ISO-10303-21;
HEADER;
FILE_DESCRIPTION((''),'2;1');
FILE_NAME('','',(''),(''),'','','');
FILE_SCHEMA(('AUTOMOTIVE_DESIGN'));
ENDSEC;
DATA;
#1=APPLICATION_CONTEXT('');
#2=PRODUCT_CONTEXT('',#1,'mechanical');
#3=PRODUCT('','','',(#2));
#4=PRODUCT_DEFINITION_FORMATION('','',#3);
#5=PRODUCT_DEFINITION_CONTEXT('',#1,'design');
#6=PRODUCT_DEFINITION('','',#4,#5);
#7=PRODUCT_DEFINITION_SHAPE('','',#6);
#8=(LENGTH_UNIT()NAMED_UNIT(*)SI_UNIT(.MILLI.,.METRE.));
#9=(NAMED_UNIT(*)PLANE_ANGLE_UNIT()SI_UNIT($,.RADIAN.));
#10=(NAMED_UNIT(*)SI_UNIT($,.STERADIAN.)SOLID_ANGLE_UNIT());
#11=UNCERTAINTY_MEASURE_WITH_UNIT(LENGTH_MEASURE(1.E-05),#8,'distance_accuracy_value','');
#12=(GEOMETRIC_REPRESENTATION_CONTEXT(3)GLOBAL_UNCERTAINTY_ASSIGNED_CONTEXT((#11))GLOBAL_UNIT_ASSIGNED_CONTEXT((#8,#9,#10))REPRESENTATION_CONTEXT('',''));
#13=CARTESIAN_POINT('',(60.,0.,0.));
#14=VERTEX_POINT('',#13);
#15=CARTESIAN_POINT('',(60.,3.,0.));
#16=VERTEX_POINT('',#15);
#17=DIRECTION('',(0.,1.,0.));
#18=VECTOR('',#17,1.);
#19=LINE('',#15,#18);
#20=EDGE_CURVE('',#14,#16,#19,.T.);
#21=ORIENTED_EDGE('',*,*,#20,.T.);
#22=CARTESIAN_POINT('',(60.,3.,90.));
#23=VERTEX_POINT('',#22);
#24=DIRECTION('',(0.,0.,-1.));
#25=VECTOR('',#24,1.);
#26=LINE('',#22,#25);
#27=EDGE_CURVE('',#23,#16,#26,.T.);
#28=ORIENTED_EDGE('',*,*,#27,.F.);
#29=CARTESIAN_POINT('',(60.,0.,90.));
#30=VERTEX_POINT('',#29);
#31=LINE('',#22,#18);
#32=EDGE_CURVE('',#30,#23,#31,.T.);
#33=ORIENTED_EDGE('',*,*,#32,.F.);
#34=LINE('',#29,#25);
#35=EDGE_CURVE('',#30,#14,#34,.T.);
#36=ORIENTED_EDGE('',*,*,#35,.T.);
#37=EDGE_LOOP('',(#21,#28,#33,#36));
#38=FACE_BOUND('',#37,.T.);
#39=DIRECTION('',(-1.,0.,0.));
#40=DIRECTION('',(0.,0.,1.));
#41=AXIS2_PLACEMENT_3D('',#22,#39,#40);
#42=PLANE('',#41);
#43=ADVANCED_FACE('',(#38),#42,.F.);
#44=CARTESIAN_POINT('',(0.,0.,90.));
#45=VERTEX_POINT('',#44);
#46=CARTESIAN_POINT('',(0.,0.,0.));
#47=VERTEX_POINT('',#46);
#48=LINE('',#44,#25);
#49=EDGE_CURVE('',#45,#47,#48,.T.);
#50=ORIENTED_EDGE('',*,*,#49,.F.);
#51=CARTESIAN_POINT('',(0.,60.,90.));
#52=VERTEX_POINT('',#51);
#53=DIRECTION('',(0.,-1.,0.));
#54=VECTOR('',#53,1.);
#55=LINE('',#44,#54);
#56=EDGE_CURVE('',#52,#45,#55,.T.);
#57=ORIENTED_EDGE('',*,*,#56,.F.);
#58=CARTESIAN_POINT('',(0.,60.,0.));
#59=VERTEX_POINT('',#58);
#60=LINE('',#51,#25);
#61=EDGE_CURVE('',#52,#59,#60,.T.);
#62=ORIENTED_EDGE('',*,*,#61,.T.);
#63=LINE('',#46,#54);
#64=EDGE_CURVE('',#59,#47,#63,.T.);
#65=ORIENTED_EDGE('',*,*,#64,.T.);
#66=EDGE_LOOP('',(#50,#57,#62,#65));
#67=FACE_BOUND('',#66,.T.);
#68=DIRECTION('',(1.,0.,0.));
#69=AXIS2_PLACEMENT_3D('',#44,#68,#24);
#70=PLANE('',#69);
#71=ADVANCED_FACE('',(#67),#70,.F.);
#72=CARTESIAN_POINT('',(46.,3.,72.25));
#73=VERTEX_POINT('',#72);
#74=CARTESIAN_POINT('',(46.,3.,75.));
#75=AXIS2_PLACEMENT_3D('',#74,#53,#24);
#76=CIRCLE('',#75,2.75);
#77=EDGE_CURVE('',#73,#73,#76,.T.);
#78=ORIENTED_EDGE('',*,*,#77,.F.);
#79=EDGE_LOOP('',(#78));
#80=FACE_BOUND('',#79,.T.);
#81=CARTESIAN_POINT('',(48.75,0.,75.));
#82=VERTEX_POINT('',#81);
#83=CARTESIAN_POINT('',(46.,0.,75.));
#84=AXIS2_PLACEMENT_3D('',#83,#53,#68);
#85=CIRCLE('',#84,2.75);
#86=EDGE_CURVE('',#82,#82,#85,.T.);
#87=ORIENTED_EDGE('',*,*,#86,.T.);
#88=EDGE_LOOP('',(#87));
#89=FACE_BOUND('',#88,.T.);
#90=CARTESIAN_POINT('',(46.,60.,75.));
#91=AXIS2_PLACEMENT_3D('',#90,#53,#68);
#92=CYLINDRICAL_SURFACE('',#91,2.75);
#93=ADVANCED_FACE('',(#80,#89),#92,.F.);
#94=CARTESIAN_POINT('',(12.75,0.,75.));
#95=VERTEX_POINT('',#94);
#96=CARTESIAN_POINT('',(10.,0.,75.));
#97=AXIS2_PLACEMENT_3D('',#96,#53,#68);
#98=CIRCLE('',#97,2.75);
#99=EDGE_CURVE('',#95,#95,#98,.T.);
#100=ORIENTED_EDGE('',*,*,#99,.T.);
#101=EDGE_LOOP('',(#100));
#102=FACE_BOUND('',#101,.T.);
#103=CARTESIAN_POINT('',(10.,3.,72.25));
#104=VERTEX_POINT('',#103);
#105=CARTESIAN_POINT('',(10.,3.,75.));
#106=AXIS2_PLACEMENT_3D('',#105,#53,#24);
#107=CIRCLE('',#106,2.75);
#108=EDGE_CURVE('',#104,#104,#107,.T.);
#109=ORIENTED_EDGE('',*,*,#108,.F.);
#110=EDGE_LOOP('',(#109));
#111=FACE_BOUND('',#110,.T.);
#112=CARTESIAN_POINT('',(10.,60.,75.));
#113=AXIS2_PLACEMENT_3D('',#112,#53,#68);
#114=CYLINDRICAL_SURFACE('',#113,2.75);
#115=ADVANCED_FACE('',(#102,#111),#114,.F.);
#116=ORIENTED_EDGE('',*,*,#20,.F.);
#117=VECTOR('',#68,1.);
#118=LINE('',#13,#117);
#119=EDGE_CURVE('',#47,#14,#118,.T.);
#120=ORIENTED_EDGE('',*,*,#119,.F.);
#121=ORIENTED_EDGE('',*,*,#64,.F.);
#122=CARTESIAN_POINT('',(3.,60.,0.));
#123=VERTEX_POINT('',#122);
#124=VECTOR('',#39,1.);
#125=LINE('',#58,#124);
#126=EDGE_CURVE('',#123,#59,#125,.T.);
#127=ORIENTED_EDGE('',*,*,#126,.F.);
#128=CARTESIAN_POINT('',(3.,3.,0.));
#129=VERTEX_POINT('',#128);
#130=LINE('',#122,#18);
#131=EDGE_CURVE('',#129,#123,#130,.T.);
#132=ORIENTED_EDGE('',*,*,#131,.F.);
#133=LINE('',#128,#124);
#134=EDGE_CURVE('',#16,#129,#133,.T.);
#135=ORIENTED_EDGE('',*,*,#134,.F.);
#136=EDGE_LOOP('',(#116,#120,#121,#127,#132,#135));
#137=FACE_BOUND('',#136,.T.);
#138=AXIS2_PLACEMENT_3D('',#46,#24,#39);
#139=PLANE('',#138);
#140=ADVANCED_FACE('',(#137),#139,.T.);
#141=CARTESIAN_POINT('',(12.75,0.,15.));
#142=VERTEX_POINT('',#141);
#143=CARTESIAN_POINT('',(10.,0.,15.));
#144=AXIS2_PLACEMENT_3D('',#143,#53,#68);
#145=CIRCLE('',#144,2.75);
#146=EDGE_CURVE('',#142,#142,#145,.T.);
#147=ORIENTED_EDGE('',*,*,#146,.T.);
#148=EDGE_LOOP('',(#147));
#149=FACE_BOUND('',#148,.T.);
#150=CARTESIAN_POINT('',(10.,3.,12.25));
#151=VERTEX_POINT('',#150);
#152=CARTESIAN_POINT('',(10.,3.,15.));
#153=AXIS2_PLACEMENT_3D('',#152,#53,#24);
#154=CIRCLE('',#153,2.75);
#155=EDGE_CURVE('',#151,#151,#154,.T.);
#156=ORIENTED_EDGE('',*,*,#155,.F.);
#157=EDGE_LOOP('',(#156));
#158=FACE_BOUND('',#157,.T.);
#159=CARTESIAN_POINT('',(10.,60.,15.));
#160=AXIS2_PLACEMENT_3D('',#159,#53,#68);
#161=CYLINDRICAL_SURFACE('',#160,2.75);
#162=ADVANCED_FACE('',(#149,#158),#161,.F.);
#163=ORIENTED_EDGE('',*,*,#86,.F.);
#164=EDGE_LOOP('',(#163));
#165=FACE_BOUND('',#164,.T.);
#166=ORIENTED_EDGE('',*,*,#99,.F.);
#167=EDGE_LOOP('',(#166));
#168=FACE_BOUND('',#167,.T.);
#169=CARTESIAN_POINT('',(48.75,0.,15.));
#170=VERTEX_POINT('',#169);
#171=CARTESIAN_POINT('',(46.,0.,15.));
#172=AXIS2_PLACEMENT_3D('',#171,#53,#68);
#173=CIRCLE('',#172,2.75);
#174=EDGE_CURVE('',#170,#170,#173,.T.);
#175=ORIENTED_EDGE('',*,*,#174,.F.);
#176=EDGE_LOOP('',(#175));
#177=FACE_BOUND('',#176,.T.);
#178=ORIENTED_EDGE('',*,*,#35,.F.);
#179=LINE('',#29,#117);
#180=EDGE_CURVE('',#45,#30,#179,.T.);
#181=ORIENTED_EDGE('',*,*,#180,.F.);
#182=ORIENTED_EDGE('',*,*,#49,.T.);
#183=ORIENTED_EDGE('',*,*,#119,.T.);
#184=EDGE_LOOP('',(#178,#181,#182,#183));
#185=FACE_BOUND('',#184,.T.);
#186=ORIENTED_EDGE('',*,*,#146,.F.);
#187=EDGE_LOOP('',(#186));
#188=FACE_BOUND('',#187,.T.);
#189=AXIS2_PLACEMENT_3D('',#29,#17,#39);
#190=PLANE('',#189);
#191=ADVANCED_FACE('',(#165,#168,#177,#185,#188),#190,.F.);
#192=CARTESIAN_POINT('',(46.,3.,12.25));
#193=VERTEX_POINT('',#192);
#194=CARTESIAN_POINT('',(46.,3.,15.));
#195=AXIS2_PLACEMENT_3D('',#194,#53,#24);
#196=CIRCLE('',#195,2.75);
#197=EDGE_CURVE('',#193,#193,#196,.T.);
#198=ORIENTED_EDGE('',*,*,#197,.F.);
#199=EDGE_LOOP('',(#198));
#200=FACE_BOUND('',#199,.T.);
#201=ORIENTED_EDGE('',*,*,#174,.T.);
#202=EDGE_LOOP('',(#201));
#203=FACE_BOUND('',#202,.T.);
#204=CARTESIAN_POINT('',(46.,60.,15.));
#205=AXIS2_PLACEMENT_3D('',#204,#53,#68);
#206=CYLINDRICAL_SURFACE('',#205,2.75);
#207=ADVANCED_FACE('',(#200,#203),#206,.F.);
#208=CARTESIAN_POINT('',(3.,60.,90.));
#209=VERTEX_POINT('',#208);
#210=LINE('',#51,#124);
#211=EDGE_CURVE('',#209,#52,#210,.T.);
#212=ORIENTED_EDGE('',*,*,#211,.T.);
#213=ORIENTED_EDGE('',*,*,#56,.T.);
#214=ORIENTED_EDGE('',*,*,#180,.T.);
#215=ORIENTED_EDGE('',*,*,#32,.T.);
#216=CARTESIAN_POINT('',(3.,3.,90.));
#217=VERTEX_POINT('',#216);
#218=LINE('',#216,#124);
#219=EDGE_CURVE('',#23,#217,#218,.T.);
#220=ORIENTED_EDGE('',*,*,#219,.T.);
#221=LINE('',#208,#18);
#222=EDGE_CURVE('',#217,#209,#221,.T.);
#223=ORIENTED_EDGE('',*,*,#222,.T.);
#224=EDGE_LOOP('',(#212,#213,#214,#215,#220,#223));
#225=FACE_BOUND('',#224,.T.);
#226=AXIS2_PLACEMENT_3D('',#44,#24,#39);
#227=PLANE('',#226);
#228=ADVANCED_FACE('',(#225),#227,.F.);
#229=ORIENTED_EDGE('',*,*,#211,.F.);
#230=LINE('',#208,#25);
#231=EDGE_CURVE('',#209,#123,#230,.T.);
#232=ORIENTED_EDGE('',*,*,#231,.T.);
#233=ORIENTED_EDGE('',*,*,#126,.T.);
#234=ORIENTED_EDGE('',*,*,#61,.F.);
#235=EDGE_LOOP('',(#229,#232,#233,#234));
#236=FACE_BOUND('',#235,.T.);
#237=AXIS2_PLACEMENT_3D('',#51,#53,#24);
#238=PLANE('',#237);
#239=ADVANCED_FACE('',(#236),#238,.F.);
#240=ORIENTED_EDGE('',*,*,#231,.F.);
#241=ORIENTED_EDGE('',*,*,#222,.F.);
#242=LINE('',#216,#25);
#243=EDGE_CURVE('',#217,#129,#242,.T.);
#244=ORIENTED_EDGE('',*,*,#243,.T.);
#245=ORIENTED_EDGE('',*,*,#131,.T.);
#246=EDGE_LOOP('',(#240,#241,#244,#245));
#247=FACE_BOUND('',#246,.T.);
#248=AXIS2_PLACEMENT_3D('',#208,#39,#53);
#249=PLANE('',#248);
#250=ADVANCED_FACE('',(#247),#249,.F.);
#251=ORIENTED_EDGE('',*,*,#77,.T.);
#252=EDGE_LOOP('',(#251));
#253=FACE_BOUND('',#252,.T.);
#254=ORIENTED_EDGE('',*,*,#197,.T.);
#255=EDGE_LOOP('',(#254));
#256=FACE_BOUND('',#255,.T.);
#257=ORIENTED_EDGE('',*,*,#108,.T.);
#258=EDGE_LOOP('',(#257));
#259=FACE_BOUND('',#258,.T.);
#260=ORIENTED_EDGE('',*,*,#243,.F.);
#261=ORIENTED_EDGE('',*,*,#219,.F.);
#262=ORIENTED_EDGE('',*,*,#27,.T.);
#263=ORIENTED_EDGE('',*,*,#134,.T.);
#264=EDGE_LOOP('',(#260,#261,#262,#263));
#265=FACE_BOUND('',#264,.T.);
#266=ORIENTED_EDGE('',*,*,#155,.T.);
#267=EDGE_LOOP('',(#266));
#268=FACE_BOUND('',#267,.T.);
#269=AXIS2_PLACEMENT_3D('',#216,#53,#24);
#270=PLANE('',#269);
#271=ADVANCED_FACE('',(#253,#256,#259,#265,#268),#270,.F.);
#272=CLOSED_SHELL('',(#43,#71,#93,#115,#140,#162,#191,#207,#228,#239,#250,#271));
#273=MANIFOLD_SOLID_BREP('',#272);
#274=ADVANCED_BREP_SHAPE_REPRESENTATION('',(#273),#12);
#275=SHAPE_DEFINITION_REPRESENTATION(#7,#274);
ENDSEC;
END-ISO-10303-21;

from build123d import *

# Parameters (mm, degrees)
EXTRUDE_1_DEPTH     = 90
SKETCH_2_R          = 2.75
CUT_EXTRUDE_1_DEPTH = 124.693168769


with BuildPart() as part:
    # Эскиз1 → Бобышка-Вытянуть1 (new body)
    with BuildSketch(Plane.XY):
        Polygon((0, 0), (0, 60), (3, 60), (3, 3), (60, 3), (60, 0), align=None)
    extrude(amount=EXTRUDE_1_DEPTH)

    # Эскиз2 → Вырез-Вытянуть1 (cut, through all)
    with BuildSketch(Plane.XZ):
        with Locations((10, 75)):
            Circle(SKETCH_2_R)
        with Locations((46, 75)):
            Circle(SKETCH_2_R)
        with Locations((46, 15)):
            Circle(SKETCH_2_R)
        with Locations((10, 15)):
            Circle(SKETCH_2_R)
    extrude(amount=-CUT_EXTRUDE_1_DEPTH, mode=Mode.SUBTRACT)


solid = part.part
